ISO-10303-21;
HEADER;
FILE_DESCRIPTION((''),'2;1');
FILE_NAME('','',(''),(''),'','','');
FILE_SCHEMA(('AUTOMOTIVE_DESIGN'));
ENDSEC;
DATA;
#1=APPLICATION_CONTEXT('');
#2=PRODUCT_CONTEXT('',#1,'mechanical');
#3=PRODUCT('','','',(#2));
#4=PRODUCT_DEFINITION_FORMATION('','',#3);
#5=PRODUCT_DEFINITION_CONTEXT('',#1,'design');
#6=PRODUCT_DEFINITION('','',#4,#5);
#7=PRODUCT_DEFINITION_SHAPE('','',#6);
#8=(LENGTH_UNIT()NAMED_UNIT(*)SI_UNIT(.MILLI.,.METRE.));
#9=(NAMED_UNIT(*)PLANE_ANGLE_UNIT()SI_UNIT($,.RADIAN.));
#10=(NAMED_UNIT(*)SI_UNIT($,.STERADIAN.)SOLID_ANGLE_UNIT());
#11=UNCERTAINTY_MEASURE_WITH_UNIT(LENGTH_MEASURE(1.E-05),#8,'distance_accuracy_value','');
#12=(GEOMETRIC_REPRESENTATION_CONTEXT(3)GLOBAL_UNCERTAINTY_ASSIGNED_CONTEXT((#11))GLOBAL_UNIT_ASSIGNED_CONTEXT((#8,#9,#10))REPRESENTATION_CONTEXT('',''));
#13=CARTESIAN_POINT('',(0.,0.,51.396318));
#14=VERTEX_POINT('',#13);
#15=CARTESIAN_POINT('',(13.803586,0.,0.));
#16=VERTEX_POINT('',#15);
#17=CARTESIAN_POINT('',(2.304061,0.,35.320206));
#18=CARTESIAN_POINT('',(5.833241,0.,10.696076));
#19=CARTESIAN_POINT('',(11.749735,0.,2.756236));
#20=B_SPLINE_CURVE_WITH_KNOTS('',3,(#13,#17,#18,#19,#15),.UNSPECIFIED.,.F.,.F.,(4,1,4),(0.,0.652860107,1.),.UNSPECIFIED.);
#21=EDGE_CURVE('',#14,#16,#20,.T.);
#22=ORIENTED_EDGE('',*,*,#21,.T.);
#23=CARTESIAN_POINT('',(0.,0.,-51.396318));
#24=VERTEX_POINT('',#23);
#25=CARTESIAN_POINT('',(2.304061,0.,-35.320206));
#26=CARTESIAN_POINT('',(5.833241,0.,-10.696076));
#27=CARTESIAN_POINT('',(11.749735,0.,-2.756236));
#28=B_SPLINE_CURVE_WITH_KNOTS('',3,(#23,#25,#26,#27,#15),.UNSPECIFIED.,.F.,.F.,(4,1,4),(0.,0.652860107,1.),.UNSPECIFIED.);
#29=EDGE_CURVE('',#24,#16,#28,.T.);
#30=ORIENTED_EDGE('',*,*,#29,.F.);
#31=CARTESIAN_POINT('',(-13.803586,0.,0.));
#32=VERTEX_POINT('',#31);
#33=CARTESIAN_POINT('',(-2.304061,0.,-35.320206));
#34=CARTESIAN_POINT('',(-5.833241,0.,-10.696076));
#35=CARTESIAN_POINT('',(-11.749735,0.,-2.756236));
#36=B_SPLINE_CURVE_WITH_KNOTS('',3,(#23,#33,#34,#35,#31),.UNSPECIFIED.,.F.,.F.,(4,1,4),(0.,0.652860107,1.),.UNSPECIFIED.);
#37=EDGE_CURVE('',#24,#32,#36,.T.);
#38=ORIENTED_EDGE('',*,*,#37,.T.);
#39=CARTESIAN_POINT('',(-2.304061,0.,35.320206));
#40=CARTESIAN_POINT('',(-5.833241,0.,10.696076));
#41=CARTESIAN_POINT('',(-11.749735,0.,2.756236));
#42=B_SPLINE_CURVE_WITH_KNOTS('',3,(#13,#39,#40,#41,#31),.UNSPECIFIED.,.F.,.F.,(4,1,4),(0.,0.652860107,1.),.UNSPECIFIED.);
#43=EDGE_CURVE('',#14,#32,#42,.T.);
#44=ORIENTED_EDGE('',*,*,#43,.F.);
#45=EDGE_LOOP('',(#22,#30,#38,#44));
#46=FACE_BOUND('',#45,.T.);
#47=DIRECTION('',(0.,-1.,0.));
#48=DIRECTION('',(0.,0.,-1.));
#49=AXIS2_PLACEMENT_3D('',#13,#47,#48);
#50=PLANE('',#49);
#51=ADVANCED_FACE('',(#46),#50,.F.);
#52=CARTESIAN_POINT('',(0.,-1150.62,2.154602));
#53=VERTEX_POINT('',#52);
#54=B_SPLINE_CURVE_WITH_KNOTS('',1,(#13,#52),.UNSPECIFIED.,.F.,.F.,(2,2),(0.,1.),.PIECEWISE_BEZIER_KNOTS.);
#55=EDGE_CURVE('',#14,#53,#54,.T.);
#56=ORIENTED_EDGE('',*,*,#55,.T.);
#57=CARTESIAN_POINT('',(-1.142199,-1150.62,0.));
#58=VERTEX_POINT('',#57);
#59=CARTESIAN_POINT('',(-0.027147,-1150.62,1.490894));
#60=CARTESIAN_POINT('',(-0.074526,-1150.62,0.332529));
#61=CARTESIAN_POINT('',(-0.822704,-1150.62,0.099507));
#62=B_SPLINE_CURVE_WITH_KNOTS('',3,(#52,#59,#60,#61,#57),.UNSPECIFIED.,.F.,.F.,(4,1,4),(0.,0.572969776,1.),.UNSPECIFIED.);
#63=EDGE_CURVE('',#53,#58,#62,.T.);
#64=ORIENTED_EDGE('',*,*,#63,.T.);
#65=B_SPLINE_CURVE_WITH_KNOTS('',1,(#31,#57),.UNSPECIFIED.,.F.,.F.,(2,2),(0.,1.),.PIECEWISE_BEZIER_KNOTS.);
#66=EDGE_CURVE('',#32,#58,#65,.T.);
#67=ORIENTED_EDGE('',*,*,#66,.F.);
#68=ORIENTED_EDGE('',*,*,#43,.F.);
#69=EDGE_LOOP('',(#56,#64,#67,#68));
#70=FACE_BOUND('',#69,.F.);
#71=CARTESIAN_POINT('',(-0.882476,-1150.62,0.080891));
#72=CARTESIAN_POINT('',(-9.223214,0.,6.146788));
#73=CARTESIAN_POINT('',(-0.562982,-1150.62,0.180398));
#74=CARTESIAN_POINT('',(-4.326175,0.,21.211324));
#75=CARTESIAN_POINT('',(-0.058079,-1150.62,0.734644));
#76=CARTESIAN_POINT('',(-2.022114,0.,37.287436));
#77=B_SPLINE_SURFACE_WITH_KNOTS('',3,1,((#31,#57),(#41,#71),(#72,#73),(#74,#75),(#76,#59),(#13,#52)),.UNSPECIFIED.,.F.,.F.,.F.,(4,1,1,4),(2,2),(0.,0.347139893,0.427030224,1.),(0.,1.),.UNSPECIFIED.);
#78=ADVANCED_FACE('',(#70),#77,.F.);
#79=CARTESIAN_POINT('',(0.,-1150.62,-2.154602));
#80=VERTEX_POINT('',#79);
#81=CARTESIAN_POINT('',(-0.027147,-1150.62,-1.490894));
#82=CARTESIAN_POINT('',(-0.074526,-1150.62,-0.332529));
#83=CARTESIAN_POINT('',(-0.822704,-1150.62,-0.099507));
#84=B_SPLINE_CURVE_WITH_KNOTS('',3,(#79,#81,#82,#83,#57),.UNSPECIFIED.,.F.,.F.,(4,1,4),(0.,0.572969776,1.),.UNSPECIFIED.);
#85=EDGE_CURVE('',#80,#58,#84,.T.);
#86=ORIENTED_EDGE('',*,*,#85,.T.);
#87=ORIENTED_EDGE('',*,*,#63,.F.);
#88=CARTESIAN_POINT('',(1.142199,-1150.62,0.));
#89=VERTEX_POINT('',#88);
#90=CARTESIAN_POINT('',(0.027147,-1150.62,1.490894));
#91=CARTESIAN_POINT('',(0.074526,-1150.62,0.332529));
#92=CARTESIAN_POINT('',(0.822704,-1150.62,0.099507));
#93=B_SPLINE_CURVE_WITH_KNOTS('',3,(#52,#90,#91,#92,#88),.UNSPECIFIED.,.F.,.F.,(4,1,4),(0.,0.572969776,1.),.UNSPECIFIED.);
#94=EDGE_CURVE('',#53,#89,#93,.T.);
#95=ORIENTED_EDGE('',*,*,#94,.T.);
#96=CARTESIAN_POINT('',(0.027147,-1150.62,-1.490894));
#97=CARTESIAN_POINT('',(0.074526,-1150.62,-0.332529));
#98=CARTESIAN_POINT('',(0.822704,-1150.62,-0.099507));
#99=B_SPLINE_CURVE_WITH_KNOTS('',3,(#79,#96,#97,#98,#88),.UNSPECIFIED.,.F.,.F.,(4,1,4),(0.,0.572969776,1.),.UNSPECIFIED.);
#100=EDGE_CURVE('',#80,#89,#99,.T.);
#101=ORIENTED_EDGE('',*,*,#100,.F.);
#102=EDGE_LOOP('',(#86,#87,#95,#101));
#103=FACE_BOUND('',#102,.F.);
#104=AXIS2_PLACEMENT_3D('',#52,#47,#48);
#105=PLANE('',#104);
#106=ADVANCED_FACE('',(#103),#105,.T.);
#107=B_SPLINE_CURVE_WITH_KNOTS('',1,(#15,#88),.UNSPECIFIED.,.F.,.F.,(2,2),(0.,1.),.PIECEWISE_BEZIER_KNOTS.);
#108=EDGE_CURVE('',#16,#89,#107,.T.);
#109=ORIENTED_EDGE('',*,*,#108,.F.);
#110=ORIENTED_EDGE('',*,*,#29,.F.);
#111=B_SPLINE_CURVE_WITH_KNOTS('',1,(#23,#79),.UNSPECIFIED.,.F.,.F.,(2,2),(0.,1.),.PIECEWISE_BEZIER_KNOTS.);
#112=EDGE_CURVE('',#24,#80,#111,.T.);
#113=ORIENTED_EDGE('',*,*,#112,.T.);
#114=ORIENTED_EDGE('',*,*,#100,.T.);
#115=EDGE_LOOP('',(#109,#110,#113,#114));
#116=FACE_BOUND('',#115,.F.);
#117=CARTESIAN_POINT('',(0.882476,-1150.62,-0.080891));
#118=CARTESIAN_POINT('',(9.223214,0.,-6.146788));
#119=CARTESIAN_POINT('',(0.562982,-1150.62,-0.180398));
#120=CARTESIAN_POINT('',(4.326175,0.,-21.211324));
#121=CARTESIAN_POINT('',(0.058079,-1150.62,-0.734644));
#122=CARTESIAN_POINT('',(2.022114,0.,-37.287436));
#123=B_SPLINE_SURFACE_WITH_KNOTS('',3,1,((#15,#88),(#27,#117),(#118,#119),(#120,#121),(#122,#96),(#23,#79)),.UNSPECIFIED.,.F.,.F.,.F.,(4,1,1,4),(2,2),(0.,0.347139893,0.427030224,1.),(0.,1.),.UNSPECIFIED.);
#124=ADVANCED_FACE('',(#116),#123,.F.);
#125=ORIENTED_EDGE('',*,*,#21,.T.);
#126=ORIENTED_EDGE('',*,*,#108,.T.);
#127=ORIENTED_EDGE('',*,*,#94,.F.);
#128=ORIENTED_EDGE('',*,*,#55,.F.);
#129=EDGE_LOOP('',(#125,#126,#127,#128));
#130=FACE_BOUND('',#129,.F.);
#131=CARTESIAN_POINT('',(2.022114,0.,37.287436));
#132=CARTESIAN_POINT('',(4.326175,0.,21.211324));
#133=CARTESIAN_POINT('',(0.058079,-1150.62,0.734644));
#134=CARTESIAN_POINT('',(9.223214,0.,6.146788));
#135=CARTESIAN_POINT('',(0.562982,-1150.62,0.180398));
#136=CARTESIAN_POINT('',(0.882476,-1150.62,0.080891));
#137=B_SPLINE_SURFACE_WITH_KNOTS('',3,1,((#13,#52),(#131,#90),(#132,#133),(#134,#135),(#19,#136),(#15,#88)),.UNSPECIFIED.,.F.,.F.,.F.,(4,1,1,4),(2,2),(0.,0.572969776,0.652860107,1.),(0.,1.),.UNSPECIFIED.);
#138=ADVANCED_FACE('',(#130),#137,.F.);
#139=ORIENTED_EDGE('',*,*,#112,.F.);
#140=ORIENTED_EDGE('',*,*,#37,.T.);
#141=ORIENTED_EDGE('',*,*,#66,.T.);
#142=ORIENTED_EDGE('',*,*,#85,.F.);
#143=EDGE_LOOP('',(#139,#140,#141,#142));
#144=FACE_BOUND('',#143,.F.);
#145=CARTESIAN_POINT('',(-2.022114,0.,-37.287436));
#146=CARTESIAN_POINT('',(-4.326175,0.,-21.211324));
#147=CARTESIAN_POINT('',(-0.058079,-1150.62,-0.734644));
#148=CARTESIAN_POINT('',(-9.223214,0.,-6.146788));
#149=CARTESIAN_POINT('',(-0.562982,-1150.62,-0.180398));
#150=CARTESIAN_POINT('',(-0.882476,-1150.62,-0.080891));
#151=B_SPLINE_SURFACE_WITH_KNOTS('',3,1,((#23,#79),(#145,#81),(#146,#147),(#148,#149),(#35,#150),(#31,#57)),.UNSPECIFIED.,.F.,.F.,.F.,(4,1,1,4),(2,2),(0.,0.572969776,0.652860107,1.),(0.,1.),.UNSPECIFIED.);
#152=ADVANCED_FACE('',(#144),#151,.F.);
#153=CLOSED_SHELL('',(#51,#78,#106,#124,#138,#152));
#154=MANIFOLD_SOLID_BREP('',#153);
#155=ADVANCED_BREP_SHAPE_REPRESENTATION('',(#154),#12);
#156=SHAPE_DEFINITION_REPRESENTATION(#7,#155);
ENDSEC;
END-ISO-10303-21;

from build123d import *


with BuildPart() as f3:
    # F0 (on Front) → F3 section 0
    with BuildSketch(Plane.XZ):
        with BuildLine():
            add(Edge.make_bspline(
                [(0, 51.39631778), (2.3040610636, 35.3202059637), (5.8332414171, 10.6960764735), (11.7497353081, 2.7562355335), (13.8035863638, 0)],
                knots=[0, 0, 0, 0, 0.6528601071, 1, 1, 1, 1], degree=3))
            add(Edge.make_bspline(
                [(0, 51.39631778), (-2.3040610636, 35.3202059637), (-5.8332414171, 10.6960764735), (-11.7497353081, 2.7562355335), (-13.8035863638, 0)],
                knots=[0, 0, 0, 0, 0.6528601071, 1, 1, 1, 1], degree=3))
            add(Edge.make_bspline(
                [(0, -51.39631778), (-2.3040610636, -35.3202059637), (-5.8332414171, -10.6960764735), (-11.7497353081, -2.7562355335), (-13.8035863638, 0)],
                knots=[0, 0, 0, 0, 0.6528601071, 1, 1, 1, 1], degree=3))
            add(Edge.make_bspline(
                [(0, -51.39631778), (2.3040610636, -35.3202059637), (5.8332414171, -10.6960764735), (11.7497353081, -2.7562355335), (13.8035863638, 0)],
                knots=[0, 0, 0, 0, 0.6528601071, 1, 1, 1, 1], degree=3))
        make_face()
    # F2 (on offset) → F3 section 1
    with BuildSketch(Plane.XZ.offset(1150.62)):
        with BuildLine():
            add(Edge.make_bspline(
                [(0, 2.1546017379), (0.0271469077, 1.4908937748), (0.0745262092, 0.3325290748), (0.8227042727, 0.0995073285), (1.1421989184, 0)],
                knots=[0, 0, 0, 0, 0.5729697764, 1, 1, 1, 1], degree=3))
            add(Edge.make_bspline(
                [(0, 2.1546017379), (-0.0271469077, 1.4908937748), (-0.0745262092, 0.3325290748), (-0.8227042727, 0.0995073285), (-1.1421989184, 0)],
                knots=[0, 0, 0, 0, 0.5729697764, 1, 1, 1, 1], degree=3))
            add(Edge.make_bspline(
                [(0, -2.1546017379), (-0.0271469077, -1.4908937748), (-0.0745262092, -0.3325290748), (-0.8227042727, -0.0995073285), (-1.1421989184, 0)],
                knots=[0, 0, 0, 0, 0.5729697764, 1, 1, 1, 1], degree=3))
            add(Edge.make_bspline(
                [(0, -2.1546017379), (0.0271469077, -1.4908937748), (0.0745262092, -0.3325290748), (0.8227042727, -0.0995073285), (1.1421989184, 0)],
                knots=[0, 0, 0, 0, 0.5729697764, 1, 1, 1, 1], degree=3))
        make_face()
    loft()


solid = f3.part
